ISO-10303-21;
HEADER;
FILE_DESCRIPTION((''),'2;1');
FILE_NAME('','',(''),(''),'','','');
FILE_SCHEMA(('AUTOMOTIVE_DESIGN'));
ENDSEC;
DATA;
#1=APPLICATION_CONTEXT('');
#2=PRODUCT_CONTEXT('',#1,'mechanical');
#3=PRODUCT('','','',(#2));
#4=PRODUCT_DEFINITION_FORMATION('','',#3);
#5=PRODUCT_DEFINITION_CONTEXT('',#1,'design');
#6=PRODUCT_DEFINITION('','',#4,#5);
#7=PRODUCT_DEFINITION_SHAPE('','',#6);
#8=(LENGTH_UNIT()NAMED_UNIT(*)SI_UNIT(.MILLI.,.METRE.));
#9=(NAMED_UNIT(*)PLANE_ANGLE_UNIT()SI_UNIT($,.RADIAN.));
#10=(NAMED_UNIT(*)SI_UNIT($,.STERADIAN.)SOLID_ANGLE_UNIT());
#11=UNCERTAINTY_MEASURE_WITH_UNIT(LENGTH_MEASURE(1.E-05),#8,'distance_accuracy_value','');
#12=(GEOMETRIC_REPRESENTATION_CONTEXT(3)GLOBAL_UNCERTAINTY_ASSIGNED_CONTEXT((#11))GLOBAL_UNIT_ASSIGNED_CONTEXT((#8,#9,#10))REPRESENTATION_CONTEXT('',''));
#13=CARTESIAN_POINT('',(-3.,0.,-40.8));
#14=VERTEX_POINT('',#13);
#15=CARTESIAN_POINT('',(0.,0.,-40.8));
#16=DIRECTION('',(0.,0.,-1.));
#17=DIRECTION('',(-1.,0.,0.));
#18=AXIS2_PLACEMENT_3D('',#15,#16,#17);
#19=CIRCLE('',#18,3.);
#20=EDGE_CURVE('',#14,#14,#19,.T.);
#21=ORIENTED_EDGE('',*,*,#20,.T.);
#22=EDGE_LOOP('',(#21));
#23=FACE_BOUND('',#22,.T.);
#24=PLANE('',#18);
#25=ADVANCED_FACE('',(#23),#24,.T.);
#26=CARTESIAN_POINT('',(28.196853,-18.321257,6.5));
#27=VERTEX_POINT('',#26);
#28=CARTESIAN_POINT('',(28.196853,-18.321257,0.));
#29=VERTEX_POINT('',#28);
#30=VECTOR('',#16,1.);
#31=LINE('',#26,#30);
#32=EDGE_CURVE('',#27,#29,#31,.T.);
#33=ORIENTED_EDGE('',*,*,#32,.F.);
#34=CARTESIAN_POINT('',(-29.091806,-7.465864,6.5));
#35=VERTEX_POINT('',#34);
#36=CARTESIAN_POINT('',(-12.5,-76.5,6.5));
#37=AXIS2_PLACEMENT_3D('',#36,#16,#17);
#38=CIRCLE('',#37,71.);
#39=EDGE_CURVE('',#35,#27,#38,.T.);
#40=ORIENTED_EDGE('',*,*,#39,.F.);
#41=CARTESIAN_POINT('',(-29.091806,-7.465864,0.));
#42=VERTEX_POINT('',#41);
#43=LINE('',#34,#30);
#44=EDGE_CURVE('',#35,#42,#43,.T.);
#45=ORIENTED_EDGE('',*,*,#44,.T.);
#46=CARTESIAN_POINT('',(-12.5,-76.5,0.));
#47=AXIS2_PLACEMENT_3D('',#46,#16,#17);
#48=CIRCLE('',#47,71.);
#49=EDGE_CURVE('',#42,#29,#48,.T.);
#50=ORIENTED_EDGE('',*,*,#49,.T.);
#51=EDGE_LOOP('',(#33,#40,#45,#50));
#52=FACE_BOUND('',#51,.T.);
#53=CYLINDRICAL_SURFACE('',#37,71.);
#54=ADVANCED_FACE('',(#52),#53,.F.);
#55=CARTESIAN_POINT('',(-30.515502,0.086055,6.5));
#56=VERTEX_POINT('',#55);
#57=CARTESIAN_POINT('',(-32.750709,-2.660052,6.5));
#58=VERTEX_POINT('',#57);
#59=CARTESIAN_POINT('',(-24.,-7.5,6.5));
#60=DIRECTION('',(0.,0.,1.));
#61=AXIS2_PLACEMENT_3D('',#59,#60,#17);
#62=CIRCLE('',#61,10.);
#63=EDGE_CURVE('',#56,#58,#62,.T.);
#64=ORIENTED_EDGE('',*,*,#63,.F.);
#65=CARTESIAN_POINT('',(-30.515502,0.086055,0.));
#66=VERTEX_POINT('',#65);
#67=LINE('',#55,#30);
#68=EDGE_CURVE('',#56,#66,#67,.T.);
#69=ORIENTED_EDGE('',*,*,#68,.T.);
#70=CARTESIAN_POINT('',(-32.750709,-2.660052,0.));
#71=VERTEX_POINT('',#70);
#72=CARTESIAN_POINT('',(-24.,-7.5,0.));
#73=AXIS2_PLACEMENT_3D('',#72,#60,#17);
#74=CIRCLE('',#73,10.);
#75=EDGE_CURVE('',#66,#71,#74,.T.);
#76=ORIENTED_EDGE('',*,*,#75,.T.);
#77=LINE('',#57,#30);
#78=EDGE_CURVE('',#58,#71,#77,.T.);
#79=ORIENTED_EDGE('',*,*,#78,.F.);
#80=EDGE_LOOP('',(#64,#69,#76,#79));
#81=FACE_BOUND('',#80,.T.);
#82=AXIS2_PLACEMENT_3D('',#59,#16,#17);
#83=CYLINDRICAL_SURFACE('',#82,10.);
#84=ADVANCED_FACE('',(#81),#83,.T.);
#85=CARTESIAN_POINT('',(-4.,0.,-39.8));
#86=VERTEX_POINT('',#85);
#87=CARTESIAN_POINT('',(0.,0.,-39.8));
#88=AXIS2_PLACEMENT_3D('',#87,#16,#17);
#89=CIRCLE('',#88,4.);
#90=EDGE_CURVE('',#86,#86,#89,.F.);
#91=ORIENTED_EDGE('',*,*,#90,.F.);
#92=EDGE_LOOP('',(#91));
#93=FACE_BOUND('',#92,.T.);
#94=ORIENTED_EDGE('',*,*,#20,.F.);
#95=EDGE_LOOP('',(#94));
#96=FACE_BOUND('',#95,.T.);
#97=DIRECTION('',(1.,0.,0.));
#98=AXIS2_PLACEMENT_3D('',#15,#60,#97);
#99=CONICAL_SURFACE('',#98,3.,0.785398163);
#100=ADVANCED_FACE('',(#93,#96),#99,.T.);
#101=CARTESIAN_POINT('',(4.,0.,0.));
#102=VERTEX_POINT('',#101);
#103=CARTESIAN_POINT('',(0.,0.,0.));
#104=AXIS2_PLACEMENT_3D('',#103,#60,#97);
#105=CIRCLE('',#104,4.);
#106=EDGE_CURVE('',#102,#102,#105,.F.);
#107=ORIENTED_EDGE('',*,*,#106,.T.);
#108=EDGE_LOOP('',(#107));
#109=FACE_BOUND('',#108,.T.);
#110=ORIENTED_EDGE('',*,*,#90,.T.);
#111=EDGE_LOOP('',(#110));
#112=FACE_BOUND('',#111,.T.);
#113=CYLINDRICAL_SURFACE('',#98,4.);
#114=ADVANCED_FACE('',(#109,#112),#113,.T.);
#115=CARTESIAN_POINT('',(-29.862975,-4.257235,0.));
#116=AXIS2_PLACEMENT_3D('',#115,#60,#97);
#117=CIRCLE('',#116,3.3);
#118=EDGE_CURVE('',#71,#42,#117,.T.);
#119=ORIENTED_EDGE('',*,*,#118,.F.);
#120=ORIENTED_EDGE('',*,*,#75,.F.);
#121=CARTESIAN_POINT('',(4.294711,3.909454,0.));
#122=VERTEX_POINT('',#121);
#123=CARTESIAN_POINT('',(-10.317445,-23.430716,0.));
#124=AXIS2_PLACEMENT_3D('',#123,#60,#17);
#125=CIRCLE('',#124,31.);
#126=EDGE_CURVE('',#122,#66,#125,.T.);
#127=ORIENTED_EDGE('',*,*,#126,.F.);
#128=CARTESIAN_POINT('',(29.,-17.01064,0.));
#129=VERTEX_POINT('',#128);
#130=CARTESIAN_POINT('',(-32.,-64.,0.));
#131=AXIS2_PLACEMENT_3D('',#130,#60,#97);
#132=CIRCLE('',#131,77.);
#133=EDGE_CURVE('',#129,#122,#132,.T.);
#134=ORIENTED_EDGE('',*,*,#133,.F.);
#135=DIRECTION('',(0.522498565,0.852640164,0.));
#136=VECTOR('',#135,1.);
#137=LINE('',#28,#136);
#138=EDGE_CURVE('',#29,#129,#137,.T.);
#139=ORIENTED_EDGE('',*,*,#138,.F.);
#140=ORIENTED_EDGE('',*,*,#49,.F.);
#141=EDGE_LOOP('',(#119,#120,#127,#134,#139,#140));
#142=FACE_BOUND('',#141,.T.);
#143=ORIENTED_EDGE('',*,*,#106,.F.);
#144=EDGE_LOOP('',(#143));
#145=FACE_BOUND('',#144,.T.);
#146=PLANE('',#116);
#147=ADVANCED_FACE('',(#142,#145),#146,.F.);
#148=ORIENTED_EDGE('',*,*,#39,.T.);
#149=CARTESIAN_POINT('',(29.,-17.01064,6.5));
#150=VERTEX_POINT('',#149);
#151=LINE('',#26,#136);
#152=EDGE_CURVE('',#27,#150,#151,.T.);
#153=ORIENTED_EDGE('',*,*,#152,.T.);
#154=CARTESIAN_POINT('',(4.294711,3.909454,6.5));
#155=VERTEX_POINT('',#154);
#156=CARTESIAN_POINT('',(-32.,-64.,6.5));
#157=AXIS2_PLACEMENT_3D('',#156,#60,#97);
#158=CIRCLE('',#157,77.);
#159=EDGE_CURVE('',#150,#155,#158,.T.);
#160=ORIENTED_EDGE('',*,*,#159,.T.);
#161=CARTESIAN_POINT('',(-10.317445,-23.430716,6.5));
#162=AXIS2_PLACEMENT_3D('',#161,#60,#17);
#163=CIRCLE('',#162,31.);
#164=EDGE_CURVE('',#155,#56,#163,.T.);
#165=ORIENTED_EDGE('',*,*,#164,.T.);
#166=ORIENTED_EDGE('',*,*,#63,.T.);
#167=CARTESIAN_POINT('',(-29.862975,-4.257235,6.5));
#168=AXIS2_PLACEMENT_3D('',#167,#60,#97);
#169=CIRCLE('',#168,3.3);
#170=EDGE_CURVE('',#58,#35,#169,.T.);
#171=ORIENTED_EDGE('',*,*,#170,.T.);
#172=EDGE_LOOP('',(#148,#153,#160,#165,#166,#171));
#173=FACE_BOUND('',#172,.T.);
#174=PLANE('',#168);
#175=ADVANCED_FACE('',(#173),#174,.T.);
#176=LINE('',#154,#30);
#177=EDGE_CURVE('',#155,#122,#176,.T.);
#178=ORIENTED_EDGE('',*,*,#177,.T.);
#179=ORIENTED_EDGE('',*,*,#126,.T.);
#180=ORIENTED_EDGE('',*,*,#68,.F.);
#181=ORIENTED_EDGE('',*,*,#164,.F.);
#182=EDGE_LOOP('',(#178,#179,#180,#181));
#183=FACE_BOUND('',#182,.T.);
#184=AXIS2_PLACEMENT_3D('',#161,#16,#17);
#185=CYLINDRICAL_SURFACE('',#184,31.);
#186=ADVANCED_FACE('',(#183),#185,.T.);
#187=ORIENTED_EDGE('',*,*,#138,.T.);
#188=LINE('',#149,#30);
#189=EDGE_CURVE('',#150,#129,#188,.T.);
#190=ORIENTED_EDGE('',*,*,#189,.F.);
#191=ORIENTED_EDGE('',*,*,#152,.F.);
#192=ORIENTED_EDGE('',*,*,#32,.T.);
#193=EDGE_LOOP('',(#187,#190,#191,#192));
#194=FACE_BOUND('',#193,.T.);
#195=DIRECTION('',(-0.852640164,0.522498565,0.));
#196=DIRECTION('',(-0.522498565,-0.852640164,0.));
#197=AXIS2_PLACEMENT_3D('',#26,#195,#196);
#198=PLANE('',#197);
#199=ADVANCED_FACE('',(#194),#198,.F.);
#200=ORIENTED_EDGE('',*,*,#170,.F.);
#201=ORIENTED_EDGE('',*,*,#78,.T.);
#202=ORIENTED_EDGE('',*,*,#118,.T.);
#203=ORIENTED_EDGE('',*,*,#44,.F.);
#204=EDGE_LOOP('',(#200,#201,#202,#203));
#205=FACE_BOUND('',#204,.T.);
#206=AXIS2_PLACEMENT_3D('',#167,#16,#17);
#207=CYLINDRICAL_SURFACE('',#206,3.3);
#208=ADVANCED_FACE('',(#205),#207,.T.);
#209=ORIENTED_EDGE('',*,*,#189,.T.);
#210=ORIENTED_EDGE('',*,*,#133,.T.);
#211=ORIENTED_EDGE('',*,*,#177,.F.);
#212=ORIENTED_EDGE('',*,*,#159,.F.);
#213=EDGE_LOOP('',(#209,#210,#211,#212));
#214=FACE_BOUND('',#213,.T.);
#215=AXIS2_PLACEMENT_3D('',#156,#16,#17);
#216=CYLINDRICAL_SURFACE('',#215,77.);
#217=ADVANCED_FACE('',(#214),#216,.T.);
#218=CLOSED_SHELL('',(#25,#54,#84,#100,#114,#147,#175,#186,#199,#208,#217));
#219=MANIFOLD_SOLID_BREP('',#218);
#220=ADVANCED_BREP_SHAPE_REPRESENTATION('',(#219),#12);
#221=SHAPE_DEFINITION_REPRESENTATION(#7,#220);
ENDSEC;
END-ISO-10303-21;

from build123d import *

# Parameters (mm, degrees)
BOSS_EXTRUDE1_DEPTH = 6.5
SKETCH2_R           = 4
BOSS_EXTRUDE2_DEPTH = 40.8
CHAMFER1_SIZE       = 1


with BuildPart() as part:
    # Sketch1 → Boss-Extrude1 (new body)
    with BuildSketch(Plane.XY):
        with BuildLine():
            Line((28.196852764, -18.321256673), (29, -17.010639502))
            ThreePointArc((29, -17.010639502), (17.75919782, -5.237578059), (4.294710806, 3.909454184))
            ThreePointArc((4.294710806, 3.909454184), (-13.701993595, 7.383969683), (-30.515502146, 0.086055087))
            ThreePointArc((-30.515502146, 0.086055087), (-31.755615747, -1.187280745), (-32.750708825, -2.660052163))
            ThreePointArc((-32.750708825, -2.660052163), (-32.488602214, -6.256255028), (-29.091806444, -7.465863814))
            ThreePointArc((-29.091806444, -7.465863814), (0.718290474, -6.741295906), (28.196852764, -18.321256673))
        make_face()
    extrude(amount=BOSS_EXTRUDE1_DEPTH)

    # Sketch2 → Boss-Extrude2 (add)
    with BuildSketch(Plane(origin=(0, 0, 0), x_dir=(-1, 0, 0), z_dir=(0, 0, -1))):
        Circle(SKETCH2_R)
    extrude(amount=BOSS_EXTRUDE2_DEPTH)

    # Chamfer1
    chamfer1_edges = [part.edges().sort_by_distance(p)[0] for p in [
        (4, 0, -40.8),
    ]]
    chamfer(chamfer1_edges, length=CHAMFER1_SIZE)


solid = part.part
